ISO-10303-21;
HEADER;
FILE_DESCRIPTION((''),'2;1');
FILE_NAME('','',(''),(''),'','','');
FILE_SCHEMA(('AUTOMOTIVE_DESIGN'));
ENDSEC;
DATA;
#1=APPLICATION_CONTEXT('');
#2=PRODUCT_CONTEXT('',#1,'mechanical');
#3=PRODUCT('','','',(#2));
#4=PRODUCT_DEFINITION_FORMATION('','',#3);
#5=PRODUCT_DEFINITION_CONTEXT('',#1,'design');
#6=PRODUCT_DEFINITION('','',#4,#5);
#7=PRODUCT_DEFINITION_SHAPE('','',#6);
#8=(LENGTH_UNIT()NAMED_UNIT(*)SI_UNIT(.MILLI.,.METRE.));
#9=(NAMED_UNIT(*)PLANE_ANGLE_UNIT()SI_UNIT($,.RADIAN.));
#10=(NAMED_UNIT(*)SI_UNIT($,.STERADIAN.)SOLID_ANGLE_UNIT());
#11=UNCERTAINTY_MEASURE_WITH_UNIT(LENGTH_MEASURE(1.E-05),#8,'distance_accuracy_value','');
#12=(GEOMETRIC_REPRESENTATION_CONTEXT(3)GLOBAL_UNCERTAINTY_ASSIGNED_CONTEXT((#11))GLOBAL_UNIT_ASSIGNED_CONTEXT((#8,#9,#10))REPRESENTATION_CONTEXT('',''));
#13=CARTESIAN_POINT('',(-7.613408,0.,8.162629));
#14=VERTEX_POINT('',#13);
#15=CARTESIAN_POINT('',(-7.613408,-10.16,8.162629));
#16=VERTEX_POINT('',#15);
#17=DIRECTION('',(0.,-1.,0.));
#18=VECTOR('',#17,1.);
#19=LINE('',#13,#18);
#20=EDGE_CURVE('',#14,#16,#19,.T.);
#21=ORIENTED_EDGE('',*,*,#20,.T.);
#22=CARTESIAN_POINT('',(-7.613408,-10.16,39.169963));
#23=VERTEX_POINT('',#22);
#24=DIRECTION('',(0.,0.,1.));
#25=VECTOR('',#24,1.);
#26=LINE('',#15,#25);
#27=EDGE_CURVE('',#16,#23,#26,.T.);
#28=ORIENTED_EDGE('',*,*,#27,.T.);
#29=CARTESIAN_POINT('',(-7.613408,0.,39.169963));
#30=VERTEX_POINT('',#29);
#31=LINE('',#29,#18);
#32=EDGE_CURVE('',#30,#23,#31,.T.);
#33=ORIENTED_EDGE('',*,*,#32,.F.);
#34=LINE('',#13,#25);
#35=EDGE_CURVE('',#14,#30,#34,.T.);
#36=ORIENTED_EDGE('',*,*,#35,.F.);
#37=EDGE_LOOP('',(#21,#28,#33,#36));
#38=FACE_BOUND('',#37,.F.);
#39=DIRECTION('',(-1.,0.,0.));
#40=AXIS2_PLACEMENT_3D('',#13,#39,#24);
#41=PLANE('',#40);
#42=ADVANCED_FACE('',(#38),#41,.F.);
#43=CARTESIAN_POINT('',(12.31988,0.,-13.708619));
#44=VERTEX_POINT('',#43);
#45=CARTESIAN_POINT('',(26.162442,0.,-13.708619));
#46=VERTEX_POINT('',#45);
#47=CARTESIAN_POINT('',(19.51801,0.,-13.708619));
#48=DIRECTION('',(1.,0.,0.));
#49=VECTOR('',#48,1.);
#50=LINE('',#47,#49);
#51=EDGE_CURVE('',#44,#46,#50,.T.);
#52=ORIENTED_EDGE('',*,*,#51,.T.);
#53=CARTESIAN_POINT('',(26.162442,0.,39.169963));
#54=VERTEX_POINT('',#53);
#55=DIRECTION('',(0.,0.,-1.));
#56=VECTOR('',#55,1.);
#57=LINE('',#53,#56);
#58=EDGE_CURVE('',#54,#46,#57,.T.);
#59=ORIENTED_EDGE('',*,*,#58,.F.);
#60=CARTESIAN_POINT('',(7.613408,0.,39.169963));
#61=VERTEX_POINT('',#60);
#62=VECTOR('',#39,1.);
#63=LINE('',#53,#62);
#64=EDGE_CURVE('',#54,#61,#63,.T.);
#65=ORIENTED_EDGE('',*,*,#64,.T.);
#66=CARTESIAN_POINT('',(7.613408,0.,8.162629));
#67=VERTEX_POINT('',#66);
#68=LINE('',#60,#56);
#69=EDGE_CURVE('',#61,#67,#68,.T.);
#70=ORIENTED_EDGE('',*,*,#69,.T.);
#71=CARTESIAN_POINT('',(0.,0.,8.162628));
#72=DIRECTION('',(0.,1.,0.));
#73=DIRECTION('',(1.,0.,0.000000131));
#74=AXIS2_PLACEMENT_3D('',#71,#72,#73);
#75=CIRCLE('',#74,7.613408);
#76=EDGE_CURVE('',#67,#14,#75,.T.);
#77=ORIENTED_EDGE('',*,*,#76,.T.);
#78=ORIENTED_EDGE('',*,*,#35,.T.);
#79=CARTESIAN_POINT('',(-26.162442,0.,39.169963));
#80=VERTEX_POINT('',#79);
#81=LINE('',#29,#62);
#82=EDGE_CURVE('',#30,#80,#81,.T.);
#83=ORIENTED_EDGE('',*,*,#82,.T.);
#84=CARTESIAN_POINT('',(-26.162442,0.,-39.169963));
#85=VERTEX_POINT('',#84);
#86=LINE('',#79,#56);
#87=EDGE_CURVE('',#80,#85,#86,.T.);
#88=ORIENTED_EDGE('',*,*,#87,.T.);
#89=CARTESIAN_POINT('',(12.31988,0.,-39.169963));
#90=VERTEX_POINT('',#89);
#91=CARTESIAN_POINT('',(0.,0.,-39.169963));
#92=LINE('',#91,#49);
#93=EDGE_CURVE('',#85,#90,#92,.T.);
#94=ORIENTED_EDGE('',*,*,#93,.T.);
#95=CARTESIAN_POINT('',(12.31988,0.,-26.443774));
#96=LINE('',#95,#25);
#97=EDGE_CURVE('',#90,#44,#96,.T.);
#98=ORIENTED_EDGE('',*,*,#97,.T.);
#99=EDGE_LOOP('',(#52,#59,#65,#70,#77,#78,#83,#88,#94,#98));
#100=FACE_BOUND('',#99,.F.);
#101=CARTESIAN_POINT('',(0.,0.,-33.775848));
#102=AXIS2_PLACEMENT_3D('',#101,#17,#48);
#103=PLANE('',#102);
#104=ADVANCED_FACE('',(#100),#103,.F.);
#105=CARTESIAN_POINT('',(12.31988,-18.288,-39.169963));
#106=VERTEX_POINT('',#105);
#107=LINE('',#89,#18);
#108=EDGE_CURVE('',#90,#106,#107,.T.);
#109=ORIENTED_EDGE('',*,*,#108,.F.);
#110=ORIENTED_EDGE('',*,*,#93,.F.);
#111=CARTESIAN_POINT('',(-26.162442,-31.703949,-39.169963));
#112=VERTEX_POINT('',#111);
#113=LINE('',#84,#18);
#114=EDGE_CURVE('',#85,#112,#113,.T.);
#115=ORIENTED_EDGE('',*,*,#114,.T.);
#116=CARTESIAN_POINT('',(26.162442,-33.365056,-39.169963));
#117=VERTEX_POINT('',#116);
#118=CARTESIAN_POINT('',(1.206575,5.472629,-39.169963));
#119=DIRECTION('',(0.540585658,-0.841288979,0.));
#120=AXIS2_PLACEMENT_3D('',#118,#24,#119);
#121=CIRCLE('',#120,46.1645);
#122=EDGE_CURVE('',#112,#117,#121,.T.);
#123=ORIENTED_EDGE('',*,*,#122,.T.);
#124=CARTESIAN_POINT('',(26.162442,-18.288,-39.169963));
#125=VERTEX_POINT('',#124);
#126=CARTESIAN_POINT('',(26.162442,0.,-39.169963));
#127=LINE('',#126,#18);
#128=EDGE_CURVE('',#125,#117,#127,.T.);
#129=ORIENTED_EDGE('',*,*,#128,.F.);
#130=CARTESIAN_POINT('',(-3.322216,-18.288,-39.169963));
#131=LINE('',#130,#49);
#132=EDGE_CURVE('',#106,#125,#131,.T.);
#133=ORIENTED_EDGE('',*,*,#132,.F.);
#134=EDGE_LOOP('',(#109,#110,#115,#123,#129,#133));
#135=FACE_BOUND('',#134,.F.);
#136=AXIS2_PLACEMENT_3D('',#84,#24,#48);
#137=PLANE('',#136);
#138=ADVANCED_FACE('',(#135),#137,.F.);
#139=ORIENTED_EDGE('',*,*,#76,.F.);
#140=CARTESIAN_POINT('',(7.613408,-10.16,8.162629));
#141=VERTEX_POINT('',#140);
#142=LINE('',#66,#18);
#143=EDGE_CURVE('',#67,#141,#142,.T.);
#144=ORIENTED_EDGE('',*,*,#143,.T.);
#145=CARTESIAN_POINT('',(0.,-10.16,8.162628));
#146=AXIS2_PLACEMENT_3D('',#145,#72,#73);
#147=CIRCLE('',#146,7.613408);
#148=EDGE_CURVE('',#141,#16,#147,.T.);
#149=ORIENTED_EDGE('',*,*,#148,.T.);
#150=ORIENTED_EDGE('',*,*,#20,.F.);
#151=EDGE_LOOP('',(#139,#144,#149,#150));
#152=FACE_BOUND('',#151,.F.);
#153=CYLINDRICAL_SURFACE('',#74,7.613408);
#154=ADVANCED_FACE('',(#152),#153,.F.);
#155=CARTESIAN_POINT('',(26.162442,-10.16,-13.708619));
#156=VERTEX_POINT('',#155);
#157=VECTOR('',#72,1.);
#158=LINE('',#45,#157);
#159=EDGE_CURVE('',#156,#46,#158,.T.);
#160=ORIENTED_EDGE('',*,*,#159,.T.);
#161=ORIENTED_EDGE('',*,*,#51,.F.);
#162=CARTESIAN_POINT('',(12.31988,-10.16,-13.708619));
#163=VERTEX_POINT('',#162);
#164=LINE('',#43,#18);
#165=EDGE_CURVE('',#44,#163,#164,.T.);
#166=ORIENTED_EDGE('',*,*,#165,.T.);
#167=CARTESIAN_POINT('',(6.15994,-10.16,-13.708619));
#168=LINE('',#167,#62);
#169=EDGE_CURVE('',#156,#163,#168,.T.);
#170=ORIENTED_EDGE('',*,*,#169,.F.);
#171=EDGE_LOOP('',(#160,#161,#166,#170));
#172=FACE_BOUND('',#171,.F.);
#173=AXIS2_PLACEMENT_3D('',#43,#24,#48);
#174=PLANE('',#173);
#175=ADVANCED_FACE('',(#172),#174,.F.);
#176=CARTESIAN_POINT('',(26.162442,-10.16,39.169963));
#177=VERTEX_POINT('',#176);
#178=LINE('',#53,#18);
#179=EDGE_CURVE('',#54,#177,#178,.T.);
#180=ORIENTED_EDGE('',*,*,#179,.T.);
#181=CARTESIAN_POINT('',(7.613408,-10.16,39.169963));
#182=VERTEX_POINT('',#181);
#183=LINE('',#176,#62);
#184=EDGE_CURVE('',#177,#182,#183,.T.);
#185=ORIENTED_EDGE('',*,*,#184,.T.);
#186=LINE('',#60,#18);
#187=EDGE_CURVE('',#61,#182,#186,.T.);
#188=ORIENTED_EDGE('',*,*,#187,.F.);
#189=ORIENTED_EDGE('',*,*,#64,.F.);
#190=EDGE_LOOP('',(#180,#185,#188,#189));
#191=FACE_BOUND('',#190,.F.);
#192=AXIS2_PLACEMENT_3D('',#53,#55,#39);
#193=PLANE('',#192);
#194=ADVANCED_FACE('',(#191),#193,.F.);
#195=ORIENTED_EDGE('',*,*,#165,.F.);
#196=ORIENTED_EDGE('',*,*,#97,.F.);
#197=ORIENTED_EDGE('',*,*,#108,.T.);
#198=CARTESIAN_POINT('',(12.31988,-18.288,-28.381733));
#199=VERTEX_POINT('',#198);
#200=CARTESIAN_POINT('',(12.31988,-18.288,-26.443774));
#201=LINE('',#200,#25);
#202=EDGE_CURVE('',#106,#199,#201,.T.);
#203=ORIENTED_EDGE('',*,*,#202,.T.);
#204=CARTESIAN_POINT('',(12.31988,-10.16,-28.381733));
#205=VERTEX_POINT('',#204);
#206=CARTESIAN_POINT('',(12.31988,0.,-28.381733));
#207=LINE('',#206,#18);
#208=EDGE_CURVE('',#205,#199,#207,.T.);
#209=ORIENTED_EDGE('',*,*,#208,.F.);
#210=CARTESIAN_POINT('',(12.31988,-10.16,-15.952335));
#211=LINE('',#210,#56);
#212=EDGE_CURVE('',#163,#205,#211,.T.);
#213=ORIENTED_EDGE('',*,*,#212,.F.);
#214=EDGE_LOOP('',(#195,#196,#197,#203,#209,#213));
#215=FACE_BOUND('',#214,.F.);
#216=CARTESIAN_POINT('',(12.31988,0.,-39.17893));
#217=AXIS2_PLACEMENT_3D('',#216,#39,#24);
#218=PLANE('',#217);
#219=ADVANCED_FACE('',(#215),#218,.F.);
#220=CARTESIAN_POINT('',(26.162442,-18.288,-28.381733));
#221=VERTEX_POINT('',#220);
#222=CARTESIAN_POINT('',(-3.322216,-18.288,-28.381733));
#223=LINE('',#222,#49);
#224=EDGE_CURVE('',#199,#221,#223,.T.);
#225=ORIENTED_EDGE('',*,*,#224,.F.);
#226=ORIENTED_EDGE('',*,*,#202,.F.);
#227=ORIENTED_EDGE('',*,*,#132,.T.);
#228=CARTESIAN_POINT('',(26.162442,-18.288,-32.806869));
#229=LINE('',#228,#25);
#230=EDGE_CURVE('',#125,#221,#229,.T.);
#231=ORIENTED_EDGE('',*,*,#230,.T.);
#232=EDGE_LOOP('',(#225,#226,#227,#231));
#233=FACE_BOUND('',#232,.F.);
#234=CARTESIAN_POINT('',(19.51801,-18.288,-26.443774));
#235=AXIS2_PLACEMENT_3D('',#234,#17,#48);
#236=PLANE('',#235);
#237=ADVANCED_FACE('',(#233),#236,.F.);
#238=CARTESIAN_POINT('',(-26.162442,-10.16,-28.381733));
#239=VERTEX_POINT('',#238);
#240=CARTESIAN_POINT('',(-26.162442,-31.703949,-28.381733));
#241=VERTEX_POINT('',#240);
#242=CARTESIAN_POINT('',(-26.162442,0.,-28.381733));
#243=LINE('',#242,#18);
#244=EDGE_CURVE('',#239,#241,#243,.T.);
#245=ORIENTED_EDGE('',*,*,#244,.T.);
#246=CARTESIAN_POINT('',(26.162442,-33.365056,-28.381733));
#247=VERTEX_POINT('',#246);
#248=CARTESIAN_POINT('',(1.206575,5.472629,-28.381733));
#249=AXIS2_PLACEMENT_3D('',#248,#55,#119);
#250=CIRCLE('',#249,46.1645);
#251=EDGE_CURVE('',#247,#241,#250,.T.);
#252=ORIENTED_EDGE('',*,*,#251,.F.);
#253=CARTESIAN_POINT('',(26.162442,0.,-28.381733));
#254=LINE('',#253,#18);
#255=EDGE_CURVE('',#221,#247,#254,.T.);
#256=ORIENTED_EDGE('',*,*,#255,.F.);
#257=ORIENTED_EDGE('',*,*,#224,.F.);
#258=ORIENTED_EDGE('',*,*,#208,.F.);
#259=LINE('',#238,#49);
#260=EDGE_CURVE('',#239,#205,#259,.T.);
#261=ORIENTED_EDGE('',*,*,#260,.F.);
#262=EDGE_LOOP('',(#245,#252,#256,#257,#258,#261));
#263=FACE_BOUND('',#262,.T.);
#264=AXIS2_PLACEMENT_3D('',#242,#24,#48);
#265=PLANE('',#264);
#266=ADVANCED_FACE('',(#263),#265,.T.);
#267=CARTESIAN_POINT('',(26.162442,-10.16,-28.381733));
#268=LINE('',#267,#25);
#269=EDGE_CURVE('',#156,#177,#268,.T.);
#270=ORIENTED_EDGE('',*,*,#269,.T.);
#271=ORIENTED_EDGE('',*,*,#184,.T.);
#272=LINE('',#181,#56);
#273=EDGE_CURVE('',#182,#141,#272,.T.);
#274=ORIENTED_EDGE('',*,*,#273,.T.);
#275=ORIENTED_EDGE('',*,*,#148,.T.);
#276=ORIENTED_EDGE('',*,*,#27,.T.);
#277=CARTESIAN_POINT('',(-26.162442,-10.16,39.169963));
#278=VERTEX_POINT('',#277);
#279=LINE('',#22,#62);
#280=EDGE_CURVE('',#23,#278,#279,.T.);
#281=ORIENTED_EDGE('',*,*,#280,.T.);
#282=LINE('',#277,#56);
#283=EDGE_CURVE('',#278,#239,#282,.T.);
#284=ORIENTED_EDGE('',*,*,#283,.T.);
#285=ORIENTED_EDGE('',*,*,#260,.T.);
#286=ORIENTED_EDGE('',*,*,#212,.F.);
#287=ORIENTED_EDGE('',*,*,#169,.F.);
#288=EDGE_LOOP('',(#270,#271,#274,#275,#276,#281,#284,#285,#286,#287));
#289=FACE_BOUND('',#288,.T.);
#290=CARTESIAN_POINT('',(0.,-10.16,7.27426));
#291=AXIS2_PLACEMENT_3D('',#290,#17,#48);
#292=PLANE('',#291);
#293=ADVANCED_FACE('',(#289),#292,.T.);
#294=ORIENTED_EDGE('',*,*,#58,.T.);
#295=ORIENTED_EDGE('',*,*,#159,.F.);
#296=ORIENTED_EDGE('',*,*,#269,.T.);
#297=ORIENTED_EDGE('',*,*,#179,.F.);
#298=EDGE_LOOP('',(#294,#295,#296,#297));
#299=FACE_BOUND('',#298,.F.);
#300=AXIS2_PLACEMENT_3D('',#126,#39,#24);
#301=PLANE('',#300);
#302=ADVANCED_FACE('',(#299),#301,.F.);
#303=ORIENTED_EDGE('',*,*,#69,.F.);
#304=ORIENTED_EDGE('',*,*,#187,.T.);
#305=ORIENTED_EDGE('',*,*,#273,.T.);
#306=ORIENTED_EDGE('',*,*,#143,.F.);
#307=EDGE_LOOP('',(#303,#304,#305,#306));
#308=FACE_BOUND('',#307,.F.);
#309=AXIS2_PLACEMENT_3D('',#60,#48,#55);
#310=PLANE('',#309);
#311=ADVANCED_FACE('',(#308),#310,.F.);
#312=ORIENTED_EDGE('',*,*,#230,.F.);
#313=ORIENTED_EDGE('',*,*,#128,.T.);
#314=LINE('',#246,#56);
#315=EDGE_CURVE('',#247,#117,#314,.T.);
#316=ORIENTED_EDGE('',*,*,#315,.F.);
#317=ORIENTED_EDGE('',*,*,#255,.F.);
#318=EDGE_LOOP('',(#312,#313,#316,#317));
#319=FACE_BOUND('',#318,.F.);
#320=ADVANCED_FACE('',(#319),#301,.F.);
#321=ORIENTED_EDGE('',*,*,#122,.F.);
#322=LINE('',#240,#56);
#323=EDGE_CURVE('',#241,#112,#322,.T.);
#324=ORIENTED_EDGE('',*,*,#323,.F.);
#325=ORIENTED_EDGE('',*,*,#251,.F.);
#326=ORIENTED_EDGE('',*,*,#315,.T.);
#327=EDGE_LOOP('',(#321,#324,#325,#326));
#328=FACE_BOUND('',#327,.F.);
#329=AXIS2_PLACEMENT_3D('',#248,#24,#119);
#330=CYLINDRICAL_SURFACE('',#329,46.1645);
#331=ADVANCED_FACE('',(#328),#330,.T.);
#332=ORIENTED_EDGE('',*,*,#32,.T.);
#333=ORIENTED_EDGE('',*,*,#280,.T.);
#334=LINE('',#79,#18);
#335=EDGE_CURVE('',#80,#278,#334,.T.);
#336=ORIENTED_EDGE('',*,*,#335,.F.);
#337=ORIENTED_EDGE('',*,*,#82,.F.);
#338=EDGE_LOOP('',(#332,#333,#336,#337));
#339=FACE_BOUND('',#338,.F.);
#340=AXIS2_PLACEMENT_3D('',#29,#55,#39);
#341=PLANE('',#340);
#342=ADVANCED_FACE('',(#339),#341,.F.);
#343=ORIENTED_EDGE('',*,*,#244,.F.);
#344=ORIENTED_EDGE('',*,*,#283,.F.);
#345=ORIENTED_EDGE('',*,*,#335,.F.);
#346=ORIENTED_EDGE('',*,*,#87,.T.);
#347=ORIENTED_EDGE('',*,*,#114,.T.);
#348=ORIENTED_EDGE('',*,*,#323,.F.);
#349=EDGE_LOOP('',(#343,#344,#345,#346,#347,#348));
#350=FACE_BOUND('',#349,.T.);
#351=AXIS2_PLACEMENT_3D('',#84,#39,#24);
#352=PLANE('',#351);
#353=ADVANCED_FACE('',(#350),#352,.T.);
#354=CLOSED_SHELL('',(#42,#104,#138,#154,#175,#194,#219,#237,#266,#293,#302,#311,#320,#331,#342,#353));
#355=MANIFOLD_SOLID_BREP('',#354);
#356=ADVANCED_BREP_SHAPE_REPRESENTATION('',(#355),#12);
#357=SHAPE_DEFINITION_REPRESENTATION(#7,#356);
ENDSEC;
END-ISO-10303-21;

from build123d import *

# Parameters (mm, degrees)
F1_DEPTH = 10.16
F0_W     = 52.324884
F0_H     = 10.78823
F2_DEPTH = 45.212
F4_DEPTH = 25.4
F5_W     = 14.396261
F5_H     = 25.470311
F6_DEPTH = 18.288


with BuildPart() as f1:
    # F0 (on Front) → F1 (new body)
    with BuildSketch(Plane.XZ):
        with BuildLine():
            Line((26.162442, -28.381733), (26.162442, 39.169963))
            Line((26.162442, 39.169963), (7.613408, 39.169963))
            Line((7.613408, 39.169963), (7.613408, 8.162629))
            ThreePointArc((7.613408, 8.162629), (0, 0.54922), (-7.613408, 8.162629))
            Line((-7.613408, 8.162629), (-7.613408, 39.169963))
            Line((-7.613408, 39.169963), (-26.162442, 39.169963))
            Line((-26.162442, 39.169963), (-26.162442, -28.381733))
            Line((-26.162442, -28.381733), (26.162442, -28.381733))
        make_face()
    extrude(amount=F1_DEPTH)

    # F0 (on Front) → F2 (join)
    with BuildSketch(Plane.XZ):
        with Locations((0, -33.775848)):
            Rectangle(F0_W, F0_H)
    extrude(amount=F2_DEPTH)

    # F3 (on face) → F4 (cut)
    with BuildSketch(Plane.XY.offset(-28.381733)):
        with BuildLine():
            ThreePointArc((26.162442, -33.365056), (-0.258226, -40.668626), (-26.162442, -31.703949))
            Line((-26.162442, -31.703949), (-26.162442, -45.212))
            Line((-26.162442, -45.212), (26.162442, -45.212))
            Line((26.162442, -45.212), (26.162442, -33.365056))
        make_face()
    extrude(amount=-F4_DEPTH, mode=Mode.SUBTRACT)

    # F5 (on face) → F6 (cut)
    with BuildSketch(Plane.XZ):
        with Locations((19.51801, -26.443774)):
            Rectangle(F5_W, F5_H)
    extrude(amount=F6_DEPTH, mode=Mode.SUBTRACT)


solid = f1.part
